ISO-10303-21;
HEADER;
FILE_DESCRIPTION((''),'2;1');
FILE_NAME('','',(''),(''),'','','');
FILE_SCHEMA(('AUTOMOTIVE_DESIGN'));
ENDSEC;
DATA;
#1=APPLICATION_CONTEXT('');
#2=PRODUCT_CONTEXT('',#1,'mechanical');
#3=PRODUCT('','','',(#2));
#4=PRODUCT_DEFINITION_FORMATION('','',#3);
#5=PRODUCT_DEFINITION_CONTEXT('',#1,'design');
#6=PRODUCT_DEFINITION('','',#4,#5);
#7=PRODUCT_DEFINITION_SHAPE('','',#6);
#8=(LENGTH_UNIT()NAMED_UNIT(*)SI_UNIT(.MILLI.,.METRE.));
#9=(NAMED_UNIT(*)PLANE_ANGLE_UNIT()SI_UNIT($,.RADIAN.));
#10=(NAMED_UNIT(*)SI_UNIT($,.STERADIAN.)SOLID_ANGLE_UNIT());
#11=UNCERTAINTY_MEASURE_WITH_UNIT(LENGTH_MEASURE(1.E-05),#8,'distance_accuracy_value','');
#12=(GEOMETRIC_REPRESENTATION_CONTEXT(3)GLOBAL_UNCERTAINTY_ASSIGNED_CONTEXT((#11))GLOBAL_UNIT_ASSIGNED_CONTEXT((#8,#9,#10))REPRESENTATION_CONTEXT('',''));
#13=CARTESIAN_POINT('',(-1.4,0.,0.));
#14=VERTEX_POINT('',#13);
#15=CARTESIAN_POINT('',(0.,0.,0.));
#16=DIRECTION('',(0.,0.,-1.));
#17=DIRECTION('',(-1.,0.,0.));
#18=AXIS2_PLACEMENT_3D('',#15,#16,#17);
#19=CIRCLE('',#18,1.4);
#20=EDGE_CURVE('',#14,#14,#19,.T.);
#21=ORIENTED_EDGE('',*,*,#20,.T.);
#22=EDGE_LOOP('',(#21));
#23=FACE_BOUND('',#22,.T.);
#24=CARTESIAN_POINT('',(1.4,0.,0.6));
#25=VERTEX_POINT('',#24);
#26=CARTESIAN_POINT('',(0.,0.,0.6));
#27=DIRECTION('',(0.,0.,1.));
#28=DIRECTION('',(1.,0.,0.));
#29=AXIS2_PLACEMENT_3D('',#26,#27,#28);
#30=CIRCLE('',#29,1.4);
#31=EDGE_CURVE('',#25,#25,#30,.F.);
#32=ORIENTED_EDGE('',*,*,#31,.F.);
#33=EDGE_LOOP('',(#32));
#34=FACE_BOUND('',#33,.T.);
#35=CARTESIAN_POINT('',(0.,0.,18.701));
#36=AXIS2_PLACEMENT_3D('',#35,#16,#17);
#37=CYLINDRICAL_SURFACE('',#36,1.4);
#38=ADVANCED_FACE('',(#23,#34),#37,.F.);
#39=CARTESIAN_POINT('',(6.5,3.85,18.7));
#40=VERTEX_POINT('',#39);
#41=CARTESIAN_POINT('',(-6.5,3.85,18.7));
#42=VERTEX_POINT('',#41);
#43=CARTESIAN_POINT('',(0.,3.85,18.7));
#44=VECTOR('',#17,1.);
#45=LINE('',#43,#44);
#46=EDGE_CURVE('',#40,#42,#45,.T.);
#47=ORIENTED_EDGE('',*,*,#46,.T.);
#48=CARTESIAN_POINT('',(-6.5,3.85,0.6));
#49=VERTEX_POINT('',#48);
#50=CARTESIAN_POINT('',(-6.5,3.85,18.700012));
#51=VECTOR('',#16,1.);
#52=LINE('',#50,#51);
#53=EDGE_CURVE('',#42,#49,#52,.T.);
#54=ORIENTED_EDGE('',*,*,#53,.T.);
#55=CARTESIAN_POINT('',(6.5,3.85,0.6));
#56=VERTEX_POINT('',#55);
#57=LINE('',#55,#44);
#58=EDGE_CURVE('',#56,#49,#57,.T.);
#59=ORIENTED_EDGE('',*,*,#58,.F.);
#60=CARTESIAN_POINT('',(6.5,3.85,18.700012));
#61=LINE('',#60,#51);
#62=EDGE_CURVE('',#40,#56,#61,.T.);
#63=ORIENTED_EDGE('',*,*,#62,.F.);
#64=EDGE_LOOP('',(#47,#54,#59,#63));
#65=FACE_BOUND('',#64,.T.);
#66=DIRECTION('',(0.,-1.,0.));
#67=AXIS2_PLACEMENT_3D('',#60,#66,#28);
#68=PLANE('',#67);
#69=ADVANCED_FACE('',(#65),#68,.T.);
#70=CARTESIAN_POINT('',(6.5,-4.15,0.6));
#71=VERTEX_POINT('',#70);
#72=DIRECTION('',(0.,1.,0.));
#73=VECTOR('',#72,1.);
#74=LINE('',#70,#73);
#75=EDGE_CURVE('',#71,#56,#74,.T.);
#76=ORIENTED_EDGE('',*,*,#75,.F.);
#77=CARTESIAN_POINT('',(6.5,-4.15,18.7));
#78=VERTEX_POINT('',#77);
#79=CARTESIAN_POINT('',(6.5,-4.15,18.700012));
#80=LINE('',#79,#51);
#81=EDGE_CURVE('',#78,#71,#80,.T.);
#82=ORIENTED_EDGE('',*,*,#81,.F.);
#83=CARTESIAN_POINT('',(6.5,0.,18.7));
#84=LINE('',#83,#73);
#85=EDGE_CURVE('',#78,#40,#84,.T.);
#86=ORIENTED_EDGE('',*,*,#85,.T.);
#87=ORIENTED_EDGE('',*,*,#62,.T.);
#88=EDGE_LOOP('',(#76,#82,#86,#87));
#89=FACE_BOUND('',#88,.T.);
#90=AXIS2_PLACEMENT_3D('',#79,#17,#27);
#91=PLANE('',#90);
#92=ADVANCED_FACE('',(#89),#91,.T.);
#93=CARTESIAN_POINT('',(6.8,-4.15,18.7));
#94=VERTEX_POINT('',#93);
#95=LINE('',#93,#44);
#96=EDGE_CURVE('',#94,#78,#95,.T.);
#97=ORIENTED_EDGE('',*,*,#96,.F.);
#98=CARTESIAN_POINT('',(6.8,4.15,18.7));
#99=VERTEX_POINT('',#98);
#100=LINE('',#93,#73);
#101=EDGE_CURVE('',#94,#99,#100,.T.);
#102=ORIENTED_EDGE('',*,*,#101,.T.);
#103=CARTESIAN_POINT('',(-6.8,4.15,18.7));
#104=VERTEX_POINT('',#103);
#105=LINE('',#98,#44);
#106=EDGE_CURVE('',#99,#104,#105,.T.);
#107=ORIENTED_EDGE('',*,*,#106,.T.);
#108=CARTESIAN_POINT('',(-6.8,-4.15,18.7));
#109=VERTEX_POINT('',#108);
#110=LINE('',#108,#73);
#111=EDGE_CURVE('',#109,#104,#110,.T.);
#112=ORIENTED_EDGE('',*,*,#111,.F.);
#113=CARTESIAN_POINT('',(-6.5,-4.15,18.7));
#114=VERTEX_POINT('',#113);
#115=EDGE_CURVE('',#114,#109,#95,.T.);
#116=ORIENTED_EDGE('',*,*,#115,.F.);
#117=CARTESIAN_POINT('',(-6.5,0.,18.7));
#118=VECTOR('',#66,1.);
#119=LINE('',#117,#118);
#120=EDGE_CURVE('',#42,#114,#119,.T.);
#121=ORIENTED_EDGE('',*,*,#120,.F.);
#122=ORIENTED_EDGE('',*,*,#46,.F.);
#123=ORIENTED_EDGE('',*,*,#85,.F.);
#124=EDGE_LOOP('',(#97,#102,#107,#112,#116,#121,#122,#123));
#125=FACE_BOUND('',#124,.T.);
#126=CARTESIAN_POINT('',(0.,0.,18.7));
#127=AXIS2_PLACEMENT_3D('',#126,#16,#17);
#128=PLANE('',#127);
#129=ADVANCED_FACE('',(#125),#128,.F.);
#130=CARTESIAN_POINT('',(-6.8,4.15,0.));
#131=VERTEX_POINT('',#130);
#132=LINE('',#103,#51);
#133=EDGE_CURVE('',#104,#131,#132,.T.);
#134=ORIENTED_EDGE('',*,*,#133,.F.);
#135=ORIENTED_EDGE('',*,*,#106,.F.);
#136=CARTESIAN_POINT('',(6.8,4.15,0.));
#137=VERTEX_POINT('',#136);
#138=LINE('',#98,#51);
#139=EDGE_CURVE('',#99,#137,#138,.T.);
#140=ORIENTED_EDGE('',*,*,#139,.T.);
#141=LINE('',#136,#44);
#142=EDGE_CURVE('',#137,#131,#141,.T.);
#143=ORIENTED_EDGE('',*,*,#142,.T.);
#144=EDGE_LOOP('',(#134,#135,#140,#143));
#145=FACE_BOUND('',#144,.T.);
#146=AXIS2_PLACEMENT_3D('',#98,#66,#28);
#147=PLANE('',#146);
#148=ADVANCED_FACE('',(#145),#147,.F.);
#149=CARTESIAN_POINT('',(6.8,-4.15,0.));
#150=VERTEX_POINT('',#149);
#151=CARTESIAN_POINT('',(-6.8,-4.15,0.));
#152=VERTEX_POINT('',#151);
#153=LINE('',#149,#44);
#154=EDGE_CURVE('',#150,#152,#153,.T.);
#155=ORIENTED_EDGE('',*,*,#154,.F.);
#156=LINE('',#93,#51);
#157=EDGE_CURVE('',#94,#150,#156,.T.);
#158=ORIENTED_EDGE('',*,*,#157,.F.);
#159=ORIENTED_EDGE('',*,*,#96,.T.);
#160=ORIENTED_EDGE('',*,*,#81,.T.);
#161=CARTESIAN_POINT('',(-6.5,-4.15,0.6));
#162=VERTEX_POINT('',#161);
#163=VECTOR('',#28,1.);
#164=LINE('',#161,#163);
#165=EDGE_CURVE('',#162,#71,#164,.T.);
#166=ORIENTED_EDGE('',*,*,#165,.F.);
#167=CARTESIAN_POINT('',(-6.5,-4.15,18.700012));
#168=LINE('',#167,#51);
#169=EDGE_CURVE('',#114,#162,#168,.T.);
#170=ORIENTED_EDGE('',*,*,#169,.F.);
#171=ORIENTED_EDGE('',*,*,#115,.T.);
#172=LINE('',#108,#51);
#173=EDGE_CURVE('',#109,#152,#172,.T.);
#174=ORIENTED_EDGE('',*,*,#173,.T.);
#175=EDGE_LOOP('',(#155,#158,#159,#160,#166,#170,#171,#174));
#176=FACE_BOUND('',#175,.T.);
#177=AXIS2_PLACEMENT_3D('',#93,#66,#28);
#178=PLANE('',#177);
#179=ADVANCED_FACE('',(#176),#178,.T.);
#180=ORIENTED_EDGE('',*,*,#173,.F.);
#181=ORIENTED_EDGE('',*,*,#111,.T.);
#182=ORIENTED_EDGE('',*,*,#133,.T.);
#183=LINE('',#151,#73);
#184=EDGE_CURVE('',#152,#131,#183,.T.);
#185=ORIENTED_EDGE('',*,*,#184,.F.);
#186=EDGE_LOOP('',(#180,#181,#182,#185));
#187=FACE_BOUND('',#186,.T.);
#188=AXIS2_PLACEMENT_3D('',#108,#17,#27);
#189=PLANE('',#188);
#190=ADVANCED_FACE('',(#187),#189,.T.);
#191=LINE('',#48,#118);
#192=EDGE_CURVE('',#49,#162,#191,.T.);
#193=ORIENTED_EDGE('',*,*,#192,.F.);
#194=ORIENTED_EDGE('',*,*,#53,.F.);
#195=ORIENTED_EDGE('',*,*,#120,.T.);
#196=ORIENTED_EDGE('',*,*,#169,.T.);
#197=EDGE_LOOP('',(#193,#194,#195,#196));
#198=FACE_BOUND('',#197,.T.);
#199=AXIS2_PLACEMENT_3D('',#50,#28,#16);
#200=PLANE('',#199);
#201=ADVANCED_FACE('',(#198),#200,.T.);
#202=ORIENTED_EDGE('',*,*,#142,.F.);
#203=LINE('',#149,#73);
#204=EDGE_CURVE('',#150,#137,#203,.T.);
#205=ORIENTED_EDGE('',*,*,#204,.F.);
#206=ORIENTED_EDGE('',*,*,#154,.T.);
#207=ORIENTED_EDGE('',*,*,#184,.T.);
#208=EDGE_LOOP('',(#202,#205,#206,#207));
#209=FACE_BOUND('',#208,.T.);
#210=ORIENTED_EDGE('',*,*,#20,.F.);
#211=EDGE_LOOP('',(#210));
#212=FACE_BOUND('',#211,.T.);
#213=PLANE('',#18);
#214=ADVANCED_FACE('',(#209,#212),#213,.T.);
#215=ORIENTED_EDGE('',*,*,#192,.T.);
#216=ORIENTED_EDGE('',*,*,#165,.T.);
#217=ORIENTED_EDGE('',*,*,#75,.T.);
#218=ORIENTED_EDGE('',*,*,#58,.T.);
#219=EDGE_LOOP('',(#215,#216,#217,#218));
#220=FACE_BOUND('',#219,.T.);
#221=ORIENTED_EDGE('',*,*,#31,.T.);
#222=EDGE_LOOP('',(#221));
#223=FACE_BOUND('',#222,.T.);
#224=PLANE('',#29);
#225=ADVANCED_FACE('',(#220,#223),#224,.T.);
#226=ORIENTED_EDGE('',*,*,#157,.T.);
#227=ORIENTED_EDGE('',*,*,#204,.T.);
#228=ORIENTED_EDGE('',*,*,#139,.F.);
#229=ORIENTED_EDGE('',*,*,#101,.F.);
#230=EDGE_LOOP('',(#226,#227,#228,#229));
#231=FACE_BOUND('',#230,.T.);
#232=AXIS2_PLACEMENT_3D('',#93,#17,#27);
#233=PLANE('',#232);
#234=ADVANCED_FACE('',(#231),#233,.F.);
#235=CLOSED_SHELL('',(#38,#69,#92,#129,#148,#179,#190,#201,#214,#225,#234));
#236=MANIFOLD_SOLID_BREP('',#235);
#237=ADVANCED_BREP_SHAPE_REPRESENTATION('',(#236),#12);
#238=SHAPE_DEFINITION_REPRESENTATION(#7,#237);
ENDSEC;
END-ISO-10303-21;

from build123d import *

# Parameters (mm, degrees)
ESBO_O1_W                  = 13.6
ESBO_O1_H                  = 8.3
RESSALTO_EXTRUS_O1_DEPTH   = 18.7
CORTE_EXTRUS_O1_DEPTH      = 21.326153104
CORTE_EXTRUS_O1_DEPTH_BACK = 18.1
ESBO_O4_W                  = 13
ESBO_O4_H                  = 8
CORTE_EXTRUS_O2_REACH      = 22.326
ESBO_O5_R                  = 1.4


with BuildPart() as part:
    # Esboço1 → Ressalto-extrusão1 (new body)
    with BuildSketch(Plane.XY):
        Rectangle(ESBO_O1_W, ESBO_O1_H)
    extrude(amount=RESSALTO_EXTRUS_O1_DEPTH)

    # Esboço4 → Corte-extrusão1 (cut, two sides: drawn at the far end of the back side and taken through both)
    with BuildSketch(Plane.XY.offset(18.7).offset(-CORTE_EXTRUS_O1_DEPTH_BACK)):
        with Locations((0, -0.15)):
            Rectangle(ESBO_O4_W, ESBO_O4_H)
    extrude(amount=CORTE_EXTRUS_O1_DEPTH + CORTE_EXTRUS_O1_DEPTH_BACK, mode=Mode.SUBTRACT)

    # Esboço5 → Corte-extrusão2 (cut, up to next)
    with BuildSketch(Plane(origin=(0, 0, 0), x_dir=(-1, 0, 0), z_dir=(0, 0, -1)), mode=Mode.PRIVATE) as corte_extrus_o2_sk1:
        Circle(ESBO_O5_R)
    corte_extrus_o2_tool1 = extrude(corte_extrus_o2_sk1.sketch, amount=-CORTE_EXTRUS_O2_REACH, mode=Mode.PRIVATE) & part.part
    add(corte_extrus_o2_tool1.solids().sort_by_distance((0, 0, 0))[0], mode=Mode.SUBTRACT)


solid = part.part
